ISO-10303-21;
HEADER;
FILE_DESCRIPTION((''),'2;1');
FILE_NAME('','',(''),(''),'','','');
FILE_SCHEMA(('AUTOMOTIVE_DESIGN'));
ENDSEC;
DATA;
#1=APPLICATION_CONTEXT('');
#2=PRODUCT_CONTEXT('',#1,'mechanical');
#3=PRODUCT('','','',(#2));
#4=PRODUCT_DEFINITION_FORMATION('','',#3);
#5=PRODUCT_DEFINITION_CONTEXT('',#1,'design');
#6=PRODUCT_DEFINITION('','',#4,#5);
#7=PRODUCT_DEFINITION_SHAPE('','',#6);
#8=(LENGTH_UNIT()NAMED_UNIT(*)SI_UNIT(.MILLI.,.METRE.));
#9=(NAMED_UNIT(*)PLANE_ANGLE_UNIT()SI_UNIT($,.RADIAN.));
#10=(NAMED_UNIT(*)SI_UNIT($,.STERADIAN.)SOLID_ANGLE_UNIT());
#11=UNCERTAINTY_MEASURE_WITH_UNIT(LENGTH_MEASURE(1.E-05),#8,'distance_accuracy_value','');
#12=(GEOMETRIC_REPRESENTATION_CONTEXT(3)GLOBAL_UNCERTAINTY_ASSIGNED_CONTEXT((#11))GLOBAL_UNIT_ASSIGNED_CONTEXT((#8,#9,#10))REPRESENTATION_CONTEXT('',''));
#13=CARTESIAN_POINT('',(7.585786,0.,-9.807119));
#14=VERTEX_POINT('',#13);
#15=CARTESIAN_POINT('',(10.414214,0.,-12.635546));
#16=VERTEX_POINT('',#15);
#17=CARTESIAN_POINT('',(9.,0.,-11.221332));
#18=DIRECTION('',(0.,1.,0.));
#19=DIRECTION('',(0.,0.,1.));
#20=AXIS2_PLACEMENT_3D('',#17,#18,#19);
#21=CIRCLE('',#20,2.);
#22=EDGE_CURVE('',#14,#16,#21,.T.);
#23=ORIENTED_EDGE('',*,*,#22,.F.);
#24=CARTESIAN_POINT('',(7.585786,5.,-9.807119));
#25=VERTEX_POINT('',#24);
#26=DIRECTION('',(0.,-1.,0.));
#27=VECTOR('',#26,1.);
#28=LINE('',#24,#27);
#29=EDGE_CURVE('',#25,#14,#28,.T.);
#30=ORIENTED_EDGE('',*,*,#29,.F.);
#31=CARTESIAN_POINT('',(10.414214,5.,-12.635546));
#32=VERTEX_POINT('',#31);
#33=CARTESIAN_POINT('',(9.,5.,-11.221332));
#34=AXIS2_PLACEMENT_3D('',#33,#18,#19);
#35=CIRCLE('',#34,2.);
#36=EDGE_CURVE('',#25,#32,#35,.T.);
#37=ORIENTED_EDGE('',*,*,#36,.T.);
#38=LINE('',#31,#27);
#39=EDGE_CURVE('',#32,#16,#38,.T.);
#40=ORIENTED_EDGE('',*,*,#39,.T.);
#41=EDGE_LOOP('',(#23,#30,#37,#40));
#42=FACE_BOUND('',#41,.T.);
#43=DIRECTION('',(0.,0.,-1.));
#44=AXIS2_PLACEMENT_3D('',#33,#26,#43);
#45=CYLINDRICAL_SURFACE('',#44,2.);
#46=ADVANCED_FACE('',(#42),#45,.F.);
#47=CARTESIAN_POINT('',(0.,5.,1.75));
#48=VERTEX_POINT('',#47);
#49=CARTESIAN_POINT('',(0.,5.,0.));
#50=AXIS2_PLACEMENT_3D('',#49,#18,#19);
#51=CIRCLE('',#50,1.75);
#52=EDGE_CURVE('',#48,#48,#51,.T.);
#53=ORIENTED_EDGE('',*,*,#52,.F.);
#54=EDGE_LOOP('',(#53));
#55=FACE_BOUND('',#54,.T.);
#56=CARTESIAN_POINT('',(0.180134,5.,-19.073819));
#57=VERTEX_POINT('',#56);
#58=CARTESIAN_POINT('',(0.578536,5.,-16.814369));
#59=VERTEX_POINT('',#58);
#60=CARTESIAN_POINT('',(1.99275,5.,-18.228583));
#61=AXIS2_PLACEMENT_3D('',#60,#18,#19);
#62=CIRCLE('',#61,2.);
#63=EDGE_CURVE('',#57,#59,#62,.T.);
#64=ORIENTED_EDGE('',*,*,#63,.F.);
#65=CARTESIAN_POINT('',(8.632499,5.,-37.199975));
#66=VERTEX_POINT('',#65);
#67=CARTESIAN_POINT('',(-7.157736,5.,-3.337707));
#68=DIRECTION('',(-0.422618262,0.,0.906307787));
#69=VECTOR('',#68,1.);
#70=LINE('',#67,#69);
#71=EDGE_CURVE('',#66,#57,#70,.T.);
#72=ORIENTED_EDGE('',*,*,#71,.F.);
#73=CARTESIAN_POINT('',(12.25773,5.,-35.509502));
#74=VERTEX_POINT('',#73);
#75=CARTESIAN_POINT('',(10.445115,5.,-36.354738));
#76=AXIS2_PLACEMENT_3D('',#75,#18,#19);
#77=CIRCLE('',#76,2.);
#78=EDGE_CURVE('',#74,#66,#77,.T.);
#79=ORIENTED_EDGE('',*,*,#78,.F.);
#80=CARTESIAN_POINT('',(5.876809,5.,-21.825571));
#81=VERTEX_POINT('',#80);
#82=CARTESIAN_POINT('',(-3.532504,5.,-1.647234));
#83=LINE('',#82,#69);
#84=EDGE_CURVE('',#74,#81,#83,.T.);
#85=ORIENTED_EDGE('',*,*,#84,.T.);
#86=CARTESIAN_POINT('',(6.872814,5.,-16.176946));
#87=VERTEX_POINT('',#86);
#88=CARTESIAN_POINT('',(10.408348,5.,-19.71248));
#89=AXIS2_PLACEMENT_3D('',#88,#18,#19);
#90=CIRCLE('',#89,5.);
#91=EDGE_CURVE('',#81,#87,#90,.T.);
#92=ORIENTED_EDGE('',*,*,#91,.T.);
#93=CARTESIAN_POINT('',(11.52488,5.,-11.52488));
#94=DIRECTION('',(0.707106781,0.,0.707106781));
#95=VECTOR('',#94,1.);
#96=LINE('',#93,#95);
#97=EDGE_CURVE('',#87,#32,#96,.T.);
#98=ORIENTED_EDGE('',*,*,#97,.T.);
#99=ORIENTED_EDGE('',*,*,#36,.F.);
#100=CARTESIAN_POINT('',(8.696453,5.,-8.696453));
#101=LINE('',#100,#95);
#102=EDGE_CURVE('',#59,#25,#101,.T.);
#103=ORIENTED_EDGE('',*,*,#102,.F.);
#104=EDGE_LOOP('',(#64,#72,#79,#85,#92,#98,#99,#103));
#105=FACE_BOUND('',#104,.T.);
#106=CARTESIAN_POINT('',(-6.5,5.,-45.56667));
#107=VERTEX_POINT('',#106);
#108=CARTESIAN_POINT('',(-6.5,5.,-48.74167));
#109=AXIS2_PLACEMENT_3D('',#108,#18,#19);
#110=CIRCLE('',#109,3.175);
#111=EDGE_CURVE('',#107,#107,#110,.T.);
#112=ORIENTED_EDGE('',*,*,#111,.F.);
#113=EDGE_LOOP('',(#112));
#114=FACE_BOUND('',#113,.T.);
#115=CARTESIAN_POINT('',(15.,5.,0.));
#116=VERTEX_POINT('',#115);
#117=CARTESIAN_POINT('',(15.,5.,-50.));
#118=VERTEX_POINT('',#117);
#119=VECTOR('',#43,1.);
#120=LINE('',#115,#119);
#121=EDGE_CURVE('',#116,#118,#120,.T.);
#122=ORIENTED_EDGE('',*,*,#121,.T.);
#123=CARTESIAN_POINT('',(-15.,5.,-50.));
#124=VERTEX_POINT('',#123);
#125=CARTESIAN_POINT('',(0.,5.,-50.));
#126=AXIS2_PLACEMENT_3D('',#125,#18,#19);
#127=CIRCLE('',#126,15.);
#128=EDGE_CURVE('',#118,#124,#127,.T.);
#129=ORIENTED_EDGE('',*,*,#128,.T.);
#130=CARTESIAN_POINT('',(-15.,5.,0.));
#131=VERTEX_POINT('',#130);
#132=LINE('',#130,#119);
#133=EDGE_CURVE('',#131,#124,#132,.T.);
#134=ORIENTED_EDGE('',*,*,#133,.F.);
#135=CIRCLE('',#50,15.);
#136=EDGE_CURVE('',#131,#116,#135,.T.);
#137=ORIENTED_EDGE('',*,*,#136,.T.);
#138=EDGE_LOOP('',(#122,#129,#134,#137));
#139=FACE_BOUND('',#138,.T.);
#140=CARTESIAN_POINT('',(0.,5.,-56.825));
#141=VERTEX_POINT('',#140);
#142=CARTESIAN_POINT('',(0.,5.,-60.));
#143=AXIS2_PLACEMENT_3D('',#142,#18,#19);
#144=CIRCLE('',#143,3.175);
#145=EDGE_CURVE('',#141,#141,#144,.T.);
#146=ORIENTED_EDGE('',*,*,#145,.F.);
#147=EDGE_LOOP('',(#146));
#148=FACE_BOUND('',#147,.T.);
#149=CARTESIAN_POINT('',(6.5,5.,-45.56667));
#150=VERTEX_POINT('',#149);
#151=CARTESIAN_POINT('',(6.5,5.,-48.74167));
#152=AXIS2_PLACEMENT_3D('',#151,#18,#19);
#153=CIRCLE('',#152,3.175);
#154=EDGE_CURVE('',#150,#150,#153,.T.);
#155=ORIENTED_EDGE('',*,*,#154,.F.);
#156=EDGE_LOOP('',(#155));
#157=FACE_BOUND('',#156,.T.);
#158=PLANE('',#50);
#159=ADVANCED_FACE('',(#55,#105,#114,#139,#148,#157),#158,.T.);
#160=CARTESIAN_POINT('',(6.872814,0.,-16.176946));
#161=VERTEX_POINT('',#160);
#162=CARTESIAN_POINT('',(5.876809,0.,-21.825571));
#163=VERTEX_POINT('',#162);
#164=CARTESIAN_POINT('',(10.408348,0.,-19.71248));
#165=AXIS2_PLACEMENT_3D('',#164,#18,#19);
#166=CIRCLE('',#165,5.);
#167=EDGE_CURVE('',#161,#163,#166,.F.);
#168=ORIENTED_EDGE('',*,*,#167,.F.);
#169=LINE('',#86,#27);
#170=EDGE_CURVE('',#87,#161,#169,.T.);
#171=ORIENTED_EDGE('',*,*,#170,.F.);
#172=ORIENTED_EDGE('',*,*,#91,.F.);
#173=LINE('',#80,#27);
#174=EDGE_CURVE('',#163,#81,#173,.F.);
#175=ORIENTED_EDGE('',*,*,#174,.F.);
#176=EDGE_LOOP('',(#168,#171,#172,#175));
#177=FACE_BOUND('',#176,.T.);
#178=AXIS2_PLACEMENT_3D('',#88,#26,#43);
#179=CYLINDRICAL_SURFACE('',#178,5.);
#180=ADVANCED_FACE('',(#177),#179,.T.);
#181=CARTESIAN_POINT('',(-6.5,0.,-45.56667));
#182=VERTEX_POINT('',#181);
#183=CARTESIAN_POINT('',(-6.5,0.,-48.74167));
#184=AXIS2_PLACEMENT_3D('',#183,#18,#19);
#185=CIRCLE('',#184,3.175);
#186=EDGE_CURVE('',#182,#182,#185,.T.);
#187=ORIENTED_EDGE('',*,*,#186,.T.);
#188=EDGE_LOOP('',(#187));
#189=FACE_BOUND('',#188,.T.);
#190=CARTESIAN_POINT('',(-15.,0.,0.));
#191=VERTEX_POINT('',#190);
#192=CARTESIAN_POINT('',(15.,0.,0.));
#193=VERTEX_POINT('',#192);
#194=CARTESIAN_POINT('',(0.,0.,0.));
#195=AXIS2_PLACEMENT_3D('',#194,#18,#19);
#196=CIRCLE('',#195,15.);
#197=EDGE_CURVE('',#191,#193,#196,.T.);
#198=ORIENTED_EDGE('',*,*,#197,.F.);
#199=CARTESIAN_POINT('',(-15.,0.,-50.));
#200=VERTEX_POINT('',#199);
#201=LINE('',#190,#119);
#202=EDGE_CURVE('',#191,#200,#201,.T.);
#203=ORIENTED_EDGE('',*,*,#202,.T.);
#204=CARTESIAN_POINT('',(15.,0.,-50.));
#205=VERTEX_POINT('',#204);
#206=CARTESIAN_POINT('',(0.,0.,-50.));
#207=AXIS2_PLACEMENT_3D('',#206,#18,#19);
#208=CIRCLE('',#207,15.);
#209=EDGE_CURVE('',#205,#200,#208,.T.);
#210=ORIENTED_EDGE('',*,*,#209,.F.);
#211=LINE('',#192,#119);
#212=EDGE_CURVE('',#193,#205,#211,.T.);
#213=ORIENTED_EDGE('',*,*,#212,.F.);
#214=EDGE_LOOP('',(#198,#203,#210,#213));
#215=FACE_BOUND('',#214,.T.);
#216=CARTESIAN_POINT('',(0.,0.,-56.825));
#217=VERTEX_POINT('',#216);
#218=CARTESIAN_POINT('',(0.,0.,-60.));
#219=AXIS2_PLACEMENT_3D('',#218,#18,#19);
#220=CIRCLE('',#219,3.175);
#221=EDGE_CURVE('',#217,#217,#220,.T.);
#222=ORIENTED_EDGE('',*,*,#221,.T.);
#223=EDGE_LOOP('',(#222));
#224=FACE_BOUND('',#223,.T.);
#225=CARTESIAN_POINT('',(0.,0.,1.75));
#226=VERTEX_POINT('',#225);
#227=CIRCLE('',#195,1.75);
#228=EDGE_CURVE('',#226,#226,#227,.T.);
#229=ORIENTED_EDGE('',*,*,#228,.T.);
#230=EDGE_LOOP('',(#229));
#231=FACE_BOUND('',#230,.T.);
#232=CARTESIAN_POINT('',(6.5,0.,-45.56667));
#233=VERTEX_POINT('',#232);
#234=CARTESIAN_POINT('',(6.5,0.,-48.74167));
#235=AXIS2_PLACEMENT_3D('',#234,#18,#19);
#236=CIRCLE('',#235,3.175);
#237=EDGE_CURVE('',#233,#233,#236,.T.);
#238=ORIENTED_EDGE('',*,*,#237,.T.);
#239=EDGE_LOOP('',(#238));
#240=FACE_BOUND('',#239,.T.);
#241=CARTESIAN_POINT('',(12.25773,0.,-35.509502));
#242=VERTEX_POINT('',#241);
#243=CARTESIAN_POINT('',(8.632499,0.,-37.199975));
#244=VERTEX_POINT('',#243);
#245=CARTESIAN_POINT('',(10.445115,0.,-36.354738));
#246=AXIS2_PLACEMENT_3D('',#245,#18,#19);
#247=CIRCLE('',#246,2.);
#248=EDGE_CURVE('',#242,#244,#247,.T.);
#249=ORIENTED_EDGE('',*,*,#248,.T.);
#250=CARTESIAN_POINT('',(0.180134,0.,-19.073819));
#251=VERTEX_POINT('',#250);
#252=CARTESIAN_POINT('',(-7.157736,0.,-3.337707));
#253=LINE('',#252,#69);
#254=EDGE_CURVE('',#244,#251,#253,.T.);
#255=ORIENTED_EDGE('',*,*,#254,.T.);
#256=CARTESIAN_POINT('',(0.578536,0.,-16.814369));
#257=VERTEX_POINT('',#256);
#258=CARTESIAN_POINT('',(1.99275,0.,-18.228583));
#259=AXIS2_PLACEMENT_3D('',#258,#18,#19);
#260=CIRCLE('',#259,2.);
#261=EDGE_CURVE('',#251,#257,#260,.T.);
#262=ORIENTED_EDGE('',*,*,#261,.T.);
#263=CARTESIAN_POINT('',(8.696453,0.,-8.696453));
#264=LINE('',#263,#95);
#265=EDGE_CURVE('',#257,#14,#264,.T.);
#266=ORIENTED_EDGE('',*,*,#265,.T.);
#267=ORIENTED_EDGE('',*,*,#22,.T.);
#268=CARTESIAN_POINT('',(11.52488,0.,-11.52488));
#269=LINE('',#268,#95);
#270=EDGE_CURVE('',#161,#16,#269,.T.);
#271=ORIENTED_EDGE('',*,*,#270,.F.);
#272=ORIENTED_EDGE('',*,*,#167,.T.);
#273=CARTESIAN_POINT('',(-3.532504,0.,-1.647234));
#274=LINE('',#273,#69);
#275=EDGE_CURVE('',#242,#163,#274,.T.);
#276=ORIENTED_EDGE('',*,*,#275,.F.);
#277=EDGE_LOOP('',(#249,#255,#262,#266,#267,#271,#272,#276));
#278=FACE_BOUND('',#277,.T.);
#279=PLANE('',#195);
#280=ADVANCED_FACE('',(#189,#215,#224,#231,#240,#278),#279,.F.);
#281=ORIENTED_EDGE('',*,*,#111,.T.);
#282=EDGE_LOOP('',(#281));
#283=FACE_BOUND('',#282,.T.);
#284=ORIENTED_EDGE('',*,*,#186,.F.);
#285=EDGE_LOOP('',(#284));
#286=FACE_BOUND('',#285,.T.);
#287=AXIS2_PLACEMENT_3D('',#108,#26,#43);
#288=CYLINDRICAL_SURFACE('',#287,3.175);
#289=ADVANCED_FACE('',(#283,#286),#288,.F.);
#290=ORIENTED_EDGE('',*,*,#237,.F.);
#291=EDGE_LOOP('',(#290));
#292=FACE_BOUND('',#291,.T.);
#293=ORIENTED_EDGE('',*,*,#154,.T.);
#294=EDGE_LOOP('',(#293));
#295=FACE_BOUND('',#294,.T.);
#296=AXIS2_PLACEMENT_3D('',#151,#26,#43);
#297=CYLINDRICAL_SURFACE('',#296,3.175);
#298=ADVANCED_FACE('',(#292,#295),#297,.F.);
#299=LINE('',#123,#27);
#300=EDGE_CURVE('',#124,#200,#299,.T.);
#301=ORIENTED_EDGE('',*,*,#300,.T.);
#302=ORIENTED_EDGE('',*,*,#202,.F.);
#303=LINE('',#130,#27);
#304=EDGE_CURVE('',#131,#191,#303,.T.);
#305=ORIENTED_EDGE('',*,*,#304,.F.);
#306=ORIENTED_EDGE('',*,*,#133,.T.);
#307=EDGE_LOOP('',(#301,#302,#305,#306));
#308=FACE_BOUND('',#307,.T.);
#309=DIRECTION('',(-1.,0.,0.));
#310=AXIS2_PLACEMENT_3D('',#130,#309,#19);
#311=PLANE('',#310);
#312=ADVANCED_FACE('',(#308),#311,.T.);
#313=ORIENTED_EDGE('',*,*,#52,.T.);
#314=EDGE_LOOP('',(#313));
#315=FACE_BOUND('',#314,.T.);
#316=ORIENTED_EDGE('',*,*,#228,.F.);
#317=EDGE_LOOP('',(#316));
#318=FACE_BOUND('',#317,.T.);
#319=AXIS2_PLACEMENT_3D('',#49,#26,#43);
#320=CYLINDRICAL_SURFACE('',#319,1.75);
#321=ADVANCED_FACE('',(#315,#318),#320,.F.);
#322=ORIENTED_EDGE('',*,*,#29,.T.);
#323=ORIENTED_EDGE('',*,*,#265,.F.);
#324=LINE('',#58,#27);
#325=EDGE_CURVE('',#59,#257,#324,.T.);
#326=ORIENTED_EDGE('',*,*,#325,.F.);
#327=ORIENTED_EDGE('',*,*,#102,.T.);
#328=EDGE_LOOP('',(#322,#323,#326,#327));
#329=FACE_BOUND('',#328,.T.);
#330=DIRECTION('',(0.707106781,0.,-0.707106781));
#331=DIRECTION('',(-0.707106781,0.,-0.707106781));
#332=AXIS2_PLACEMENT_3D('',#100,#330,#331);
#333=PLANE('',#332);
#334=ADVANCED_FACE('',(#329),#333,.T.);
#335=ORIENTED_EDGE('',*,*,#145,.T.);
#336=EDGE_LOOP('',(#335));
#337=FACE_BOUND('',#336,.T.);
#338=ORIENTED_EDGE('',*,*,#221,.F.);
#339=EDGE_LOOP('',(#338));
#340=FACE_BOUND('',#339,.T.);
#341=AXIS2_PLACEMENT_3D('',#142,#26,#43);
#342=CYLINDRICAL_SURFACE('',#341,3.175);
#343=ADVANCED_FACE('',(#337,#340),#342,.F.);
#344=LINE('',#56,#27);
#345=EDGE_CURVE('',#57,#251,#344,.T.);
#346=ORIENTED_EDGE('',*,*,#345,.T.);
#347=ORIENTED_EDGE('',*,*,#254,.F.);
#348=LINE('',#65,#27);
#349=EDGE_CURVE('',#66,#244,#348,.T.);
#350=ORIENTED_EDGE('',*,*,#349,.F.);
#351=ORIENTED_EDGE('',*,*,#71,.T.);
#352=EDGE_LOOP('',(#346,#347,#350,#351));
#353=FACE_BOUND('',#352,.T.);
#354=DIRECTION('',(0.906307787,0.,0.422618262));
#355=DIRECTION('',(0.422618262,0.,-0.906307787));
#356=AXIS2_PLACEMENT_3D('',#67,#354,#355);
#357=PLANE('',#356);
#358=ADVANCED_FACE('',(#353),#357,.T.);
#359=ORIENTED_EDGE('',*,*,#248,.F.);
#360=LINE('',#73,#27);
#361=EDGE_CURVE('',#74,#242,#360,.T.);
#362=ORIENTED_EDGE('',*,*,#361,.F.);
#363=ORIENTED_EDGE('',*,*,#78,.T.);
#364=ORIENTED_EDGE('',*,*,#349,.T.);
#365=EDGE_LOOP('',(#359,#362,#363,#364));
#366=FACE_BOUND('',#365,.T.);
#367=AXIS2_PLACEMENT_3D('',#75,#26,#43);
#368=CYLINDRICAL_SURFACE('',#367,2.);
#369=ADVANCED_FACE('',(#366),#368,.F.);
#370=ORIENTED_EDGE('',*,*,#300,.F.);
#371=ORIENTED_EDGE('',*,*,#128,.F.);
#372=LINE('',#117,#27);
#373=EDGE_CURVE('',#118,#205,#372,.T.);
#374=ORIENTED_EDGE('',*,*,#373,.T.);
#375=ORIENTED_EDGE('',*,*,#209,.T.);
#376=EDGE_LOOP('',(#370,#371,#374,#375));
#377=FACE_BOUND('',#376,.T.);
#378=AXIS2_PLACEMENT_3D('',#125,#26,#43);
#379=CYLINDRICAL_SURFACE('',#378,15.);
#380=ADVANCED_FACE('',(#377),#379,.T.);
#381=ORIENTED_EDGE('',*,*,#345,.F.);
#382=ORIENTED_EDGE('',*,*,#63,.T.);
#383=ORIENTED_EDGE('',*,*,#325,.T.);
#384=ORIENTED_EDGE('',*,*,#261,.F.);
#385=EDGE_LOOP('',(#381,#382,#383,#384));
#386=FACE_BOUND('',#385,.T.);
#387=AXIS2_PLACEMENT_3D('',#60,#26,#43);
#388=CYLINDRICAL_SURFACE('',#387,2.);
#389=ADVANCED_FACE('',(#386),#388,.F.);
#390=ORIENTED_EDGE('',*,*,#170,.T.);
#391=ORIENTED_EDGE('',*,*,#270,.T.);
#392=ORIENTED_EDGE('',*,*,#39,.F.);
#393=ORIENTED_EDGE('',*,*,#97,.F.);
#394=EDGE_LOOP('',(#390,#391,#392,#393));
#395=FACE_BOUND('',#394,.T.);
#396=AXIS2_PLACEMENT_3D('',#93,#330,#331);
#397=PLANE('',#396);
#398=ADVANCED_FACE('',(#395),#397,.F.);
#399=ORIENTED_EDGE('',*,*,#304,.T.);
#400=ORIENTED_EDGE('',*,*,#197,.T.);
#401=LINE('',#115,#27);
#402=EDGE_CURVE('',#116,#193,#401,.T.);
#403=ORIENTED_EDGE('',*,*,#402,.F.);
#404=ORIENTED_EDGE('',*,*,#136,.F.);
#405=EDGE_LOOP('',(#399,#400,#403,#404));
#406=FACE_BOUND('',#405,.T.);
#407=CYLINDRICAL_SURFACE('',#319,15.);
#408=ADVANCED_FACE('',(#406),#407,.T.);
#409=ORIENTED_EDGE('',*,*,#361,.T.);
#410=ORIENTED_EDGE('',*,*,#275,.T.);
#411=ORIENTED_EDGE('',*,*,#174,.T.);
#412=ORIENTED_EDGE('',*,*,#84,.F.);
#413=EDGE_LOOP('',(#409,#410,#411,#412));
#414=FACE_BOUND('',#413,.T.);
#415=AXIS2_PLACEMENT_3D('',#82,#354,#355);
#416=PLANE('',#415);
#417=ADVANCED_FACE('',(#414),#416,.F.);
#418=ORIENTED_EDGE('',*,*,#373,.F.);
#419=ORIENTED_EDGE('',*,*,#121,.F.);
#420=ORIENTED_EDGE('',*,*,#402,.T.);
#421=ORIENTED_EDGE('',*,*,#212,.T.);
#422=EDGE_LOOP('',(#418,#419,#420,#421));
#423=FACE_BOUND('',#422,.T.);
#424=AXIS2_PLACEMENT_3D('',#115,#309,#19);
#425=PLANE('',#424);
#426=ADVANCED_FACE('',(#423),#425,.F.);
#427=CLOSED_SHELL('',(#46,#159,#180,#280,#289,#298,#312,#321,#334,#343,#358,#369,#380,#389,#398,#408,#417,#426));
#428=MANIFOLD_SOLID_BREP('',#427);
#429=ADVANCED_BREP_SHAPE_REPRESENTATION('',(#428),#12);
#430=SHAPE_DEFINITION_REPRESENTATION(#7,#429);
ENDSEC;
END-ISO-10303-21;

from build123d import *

# Parameters (mm, degrees)
SKETCH1_R           = 3.175
SKETCH1_R_2         = 1.75
BOSS_EXTRUDE1_DEPTH = 5
FILLET1_R           = 5


with BuildPart() as part:
    # Sketch1 → Boss-Extrude1 (new body)
    with BuildSketch(Plane(origin=(0, 0, 0), x_dir=(1, 0, 0), z_dir=(0, 1, 0))):
        with BuildLine():
            Line((15, 0), (15, 50))
            ThreePointArc((15, 50), (0, 65), (-15, 50))
            Line((-15, 50), (-15, 0))
            ThreePointArc((-15, 0), (0, -15), (15, 0))
        make_face()
        with Locations((6.5, 48.741669751)):
            Circle(SKETCH1_R, mode=Mode.SUBTRACT)
        with Locations((-6.5, 48.741669751)):
            Circle(SKETCH1_R, mode=Mode.SUBTRACT)
        with Locations((0, 60)):
            Circle(SKETCH1_R, mode=Mode.SUBTRACT)
        Circle(SKETCH1_R_2, mode=Mode.SUBTRACT)
        with BuildLine():
            ThreePointArc((7.585786438, 9.807118725), (10.414213562, 9.807118725), (10.414213562, 12.63554585))
            Line((10.414213562, 12.63554585), (4.397206201, 18.652553211))
            Line((4.397206201, 18.652553211), (12.25773045, 35.509501863))
            ThreePointArc((12.25773045, 35.509501863), (11.2903514, 38.167353961), (8.632499302, 37.19997491))
            Line((8.632499302, 37.19997491), (0.180134067, 19.07381917))
            ThreePointArc((0.180134067, 19.07381917), (0.023134135, 17.881286291), (0.578536079, 16.814369084))
            Line((0.578536079, 16.814369084), (7.585786438, 9.807118725))
        make_face(mode=Mode.SUBTRACT)
    extrude(amount=BOSS_EXTRUDE1_DEPTH)

    # Fillet1
    fillet1_edges = [part.edges().sort_by_distance(p)[0] for p in [
        (4.397206201, 2.5, -18.652553211),
    ]]
    fillet(fillet1_edges, radius=FILLET1_R)


solid = part.part
